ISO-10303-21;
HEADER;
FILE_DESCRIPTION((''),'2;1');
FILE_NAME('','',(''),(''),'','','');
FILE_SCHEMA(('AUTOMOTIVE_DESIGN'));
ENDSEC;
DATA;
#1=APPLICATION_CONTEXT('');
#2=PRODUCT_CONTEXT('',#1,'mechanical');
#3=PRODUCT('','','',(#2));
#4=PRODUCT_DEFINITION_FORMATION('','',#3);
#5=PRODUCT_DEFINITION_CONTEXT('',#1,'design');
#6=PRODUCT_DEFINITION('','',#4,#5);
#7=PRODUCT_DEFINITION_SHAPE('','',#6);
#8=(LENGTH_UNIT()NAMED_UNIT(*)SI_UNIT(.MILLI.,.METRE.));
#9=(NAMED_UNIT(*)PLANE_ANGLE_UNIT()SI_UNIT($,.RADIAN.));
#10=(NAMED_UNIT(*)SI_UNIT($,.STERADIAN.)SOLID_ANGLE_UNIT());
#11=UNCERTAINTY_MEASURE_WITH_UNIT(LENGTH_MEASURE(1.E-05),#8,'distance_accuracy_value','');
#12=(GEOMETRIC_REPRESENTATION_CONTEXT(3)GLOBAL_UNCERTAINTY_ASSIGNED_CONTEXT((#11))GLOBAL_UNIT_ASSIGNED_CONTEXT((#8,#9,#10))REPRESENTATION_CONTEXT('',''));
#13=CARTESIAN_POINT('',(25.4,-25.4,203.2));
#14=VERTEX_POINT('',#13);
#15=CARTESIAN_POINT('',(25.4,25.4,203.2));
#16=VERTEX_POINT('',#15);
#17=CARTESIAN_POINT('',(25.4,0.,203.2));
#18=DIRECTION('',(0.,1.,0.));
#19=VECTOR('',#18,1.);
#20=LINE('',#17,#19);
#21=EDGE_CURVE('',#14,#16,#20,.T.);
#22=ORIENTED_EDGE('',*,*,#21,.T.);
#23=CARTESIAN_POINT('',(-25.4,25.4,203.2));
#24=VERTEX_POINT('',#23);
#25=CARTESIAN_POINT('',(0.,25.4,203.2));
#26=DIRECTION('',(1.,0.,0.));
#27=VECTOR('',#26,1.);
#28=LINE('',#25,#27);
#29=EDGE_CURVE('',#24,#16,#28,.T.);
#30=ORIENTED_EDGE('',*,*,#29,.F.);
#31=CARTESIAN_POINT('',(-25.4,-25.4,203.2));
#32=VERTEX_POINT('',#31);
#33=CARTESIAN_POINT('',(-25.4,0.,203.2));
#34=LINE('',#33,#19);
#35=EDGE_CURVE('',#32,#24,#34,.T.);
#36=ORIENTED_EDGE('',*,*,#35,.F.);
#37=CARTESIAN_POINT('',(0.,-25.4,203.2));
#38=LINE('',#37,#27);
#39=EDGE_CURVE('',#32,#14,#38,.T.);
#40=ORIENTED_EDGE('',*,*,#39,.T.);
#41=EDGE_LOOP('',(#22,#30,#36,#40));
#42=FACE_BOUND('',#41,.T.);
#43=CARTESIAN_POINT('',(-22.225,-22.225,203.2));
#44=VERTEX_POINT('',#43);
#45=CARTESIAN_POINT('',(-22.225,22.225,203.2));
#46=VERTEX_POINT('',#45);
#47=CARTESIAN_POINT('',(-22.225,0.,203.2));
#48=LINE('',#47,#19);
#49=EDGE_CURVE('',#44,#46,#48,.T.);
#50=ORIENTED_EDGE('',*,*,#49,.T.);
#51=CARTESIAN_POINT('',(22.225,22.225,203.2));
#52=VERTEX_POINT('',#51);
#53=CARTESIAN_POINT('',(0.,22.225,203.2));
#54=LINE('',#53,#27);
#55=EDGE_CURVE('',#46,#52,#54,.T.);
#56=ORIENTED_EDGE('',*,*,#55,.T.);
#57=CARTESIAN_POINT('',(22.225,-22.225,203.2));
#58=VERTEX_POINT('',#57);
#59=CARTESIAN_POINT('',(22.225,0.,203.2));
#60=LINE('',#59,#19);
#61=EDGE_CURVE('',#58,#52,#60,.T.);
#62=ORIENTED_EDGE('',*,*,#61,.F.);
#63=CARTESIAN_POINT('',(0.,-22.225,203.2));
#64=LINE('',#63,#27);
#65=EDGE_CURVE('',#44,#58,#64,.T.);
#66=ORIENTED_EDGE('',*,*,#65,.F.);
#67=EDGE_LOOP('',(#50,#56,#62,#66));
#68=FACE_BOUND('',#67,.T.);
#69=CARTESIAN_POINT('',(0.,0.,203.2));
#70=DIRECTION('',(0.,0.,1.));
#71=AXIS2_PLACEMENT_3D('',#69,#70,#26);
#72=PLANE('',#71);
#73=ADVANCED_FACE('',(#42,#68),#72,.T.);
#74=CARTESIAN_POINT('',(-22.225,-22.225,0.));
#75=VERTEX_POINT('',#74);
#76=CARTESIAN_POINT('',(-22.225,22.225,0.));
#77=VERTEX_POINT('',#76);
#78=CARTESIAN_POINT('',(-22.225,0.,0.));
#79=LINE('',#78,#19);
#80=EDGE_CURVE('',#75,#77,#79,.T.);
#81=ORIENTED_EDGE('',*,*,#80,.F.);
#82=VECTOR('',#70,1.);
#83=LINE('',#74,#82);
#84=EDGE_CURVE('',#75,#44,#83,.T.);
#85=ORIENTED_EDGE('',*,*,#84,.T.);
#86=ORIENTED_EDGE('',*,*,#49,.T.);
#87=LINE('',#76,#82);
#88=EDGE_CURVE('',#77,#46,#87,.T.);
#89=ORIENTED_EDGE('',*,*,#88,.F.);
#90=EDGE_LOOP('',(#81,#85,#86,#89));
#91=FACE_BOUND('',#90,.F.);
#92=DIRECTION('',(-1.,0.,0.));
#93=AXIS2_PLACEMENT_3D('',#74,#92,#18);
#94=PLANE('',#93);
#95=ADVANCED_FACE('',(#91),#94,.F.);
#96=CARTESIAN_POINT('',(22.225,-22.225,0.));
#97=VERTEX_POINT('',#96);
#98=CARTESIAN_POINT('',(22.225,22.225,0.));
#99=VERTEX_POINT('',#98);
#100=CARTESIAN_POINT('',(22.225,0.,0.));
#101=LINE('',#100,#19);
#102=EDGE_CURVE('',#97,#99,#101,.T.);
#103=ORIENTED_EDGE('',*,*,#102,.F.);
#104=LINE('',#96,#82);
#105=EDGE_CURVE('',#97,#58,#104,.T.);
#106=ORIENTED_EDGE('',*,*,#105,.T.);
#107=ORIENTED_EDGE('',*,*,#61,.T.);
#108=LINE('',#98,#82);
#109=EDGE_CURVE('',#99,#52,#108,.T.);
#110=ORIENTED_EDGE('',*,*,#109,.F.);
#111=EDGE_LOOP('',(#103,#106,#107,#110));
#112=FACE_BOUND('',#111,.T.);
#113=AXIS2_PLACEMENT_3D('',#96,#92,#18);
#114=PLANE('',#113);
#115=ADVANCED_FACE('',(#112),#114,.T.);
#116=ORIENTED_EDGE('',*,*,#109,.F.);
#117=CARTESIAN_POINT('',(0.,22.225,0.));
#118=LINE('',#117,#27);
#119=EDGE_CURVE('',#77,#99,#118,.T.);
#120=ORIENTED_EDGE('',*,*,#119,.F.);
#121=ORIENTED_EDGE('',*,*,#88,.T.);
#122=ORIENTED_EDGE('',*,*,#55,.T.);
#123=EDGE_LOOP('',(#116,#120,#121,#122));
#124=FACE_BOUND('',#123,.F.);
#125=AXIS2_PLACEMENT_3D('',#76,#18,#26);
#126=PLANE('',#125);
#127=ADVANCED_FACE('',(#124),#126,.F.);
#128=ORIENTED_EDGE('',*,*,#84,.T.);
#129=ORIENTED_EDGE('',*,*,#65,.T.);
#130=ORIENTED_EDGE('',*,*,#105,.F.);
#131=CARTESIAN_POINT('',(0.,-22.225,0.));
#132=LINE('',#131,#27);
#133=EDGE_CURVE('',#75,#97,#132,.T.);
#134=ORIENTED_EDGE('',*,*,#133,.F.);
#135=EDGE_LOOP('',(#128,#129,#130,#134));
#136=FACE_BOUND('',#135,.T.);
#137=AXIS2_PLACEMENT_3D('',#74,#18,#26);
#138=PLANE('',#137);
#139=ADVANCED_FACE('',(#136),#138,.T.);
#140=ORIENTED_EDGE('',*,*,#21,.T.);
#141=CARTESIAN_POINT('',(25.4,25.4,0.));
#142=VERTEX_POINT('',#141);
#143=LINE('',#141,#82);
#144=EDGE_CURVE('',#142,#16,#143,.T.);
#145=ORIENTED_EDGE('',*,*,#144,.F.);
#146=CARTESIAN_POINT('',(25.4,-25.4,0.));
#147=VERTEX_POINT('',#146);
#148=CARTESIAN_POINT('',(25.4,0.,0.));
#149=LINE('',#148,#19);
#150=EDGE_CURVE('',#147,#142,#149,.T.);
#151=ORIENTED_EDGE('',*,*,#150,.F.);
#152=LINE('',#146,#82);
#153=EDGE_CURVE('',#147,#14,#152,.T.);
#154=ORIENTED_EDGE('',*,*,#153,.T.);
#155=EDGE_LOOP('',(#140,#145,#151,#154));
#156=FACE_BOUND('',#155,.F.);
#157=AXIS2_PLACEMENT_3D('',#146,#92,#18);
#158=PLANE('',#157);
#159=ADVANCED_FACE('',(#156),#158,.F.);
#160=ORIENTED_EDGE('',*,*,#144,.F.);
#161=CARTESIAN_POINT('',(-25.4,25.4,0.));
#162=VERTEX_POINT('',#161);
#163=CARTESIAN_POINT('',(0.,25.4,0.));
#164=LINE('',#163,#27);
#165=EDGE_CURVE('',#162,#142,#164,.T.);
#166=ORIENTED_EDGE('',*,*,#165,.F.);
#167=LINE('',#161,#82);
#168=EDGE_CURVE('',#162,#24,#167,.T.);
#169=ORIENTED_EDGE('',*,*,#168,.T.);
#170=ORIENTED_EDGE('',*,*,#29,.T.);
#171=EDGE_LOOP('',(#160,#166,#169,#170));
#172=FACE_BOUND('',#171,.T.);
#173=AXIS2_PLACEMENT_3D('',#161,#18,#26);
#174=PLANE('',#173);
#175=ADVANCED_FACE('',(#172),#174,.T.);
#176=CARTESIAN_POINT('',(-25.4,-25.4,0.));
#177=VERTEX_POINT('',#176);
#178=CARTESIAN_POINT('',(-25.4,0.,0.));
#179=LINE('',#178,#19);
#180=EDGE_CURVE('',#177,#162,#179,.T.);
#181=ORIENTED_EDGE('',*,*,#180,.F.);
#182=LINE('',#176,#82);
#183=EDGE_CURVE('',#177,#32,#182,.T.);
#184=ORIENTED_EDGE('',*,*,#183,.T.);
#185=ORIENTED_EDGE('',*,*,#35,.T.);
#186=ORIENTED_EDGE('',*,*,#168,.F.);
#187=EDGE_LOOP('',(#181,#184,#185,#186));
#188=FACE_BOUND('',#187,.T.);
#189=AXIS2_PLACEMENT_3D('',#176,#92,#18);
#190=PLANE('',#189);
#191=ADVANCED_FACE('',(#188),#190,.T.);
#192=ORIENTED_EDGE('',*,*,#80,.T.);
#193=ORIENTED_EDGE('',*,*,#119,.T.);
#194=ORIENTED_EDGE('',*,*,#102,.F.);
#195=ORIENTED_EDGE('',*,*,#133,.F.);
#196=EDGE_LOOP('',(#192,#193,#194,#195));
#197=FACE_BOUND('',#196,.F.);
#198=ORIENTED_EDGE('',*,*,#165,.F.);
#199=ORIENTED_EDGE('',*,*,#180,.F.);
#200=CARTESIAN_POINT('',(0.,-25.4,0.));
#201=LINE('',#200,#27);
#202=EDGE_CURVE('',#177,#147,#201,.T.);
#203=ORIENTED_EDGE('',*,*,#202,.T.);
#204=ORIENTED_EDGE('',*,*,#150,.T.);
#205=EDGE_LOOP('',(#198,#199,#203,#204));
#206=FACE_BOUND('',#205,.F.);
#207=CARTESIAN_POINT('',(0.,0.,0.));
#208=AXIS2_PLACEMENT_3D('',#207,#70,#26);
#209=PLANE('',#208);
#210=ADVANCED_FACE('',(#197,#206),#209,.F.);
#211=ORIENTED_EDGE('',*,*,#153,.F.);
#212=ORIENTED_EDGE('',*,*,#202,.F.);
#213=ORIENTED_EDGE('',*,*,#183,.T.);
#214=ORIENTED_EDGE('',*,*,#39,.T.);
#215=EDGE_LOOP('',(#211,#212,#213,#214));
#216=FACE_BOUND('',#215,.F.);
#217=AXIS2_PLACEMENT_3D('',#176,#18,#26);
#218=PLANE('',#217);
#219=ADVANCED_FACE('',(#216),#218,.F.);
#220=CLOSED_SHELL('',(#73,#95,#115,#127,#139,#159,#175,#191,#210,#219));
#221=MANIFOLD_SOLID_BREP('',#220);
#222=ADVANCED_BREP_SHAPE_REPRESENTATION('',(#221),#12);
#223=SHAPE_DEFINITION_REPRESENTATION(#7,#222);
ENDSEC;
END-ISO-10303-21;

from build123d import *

# Parameters (mm, degrees)
F0_W     = 50.8
F0_H     = 50.8
F2_DEPTH = 203.2
F1_W     = 44.45
F1_H     = 44.45
F3_DEPTH = 203.2


with BuildPart() as f2:
    # F0 (on Top) → F2 (new body)
    with BuildSketch(Plane.XY):
        Rectangle(F0_W, F0_H)
    extrude(amount=F2_DEPTH)

    # F1 (on Top) → F3 (cut)
    with BuildSketch(Plane.XY):
        Rectangle(F1_W, F1_H)
    extrude(amount=F3_DEPTH, mode=Mode.SUBTRACT)


solid = f2.part
